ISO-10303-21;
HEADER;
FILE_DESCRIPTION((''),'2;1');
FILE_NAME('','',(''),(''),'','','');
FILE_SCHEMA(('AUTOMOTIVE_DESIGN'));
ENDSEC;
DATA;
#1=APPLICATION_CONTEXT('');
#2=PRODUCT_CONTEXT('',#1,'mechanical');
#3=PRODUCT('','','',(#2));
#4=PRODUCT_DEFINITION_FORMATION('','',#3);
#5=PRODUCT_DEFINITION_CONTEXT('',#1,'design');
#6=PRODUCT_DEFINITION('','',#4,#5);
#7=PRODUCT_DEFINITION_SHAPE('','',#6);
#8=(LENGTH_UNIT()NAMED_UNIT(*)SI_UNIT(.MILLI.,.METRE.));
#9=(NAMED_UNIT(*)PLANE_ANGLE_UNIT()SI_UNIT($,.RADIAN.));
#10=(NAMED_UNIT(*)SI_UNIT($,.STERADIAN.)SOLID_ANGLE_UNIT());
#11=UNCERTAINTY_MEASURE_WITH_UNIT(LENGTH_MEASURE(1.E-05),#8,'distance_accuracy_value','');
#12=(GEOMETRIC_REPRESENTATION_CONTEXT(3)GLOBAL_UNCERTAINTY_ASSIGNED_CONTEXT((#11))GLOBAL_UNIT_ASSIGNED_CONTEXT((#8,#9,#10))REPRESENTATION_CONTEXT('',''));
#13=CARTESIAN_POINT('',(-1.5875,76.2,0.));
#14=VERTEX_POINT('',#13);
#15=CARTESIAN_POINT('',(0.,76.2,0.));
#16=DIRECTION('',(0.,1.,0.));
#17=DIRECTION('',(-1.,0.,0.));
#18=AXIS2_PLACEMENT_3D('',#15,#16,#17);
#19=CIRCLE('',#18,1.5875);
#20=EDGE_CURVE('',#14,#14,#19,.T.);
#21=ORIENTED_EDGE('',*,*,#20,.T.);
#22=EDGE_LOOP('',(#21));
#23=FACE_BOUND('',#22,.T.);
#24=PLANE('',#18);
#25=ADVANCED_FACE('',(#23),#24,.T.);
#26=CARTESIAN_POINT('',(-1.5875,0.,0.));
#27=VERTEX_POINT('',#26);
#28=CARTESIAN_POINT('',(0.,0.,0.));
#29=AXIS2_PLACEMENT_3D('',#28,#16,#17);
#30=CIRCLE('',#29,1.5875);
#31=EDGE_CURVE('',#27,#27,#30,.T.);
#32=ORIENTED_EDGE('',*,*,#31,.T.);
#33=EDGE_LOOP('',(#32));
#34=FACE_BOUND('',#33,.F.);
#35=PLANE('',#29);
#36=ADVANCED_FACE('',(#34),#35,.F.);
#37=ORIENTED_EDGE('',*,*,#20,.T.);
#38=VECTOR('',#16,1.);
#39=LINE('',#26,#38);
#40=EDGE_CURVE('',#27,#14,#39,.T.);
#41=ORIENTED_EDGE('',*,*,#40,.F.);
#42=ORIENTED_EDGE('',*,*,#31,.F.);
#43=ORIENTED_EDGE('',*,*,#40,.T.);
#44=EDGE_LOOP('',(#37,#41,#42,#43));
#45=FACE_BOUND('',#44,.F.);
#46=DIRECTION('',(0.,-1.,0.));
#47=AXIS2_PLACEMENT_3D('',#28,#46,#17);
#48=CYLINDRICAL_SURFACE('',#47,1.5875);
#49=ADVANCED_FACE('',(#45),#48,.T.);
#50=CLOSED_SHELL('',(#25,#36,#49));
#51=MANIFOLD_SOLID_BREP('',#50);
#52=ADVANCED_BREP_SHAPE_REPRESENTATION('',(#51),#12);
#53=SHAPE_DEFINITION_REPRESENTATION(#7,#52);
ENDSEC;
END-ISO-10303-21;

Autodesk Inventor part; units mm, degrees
ref_plane "YZ Plane" through (0, 0, 0) normal (1, 0, 0) x (0, 1, 0)
ref_plane "XZ Plane" through (0, 0, 0) normal (0, 1, 0) x (-1, 0, 0)
ref_plane "XY Plane" through (0, 0, 0) normal (0, 0, 1) x (1, 0, 0)
sketch "Sketch1" plane through (0, 0, 0) normal (0, 1, 0) x (-1, 0, 0)
  circle A0 centre (0, 0) radius 1.5875
  dimension "d0" = 3.175
extrude "Extrusion1" add sketch "Sketch1" along normal blind 76.2
properties part number "000203"
